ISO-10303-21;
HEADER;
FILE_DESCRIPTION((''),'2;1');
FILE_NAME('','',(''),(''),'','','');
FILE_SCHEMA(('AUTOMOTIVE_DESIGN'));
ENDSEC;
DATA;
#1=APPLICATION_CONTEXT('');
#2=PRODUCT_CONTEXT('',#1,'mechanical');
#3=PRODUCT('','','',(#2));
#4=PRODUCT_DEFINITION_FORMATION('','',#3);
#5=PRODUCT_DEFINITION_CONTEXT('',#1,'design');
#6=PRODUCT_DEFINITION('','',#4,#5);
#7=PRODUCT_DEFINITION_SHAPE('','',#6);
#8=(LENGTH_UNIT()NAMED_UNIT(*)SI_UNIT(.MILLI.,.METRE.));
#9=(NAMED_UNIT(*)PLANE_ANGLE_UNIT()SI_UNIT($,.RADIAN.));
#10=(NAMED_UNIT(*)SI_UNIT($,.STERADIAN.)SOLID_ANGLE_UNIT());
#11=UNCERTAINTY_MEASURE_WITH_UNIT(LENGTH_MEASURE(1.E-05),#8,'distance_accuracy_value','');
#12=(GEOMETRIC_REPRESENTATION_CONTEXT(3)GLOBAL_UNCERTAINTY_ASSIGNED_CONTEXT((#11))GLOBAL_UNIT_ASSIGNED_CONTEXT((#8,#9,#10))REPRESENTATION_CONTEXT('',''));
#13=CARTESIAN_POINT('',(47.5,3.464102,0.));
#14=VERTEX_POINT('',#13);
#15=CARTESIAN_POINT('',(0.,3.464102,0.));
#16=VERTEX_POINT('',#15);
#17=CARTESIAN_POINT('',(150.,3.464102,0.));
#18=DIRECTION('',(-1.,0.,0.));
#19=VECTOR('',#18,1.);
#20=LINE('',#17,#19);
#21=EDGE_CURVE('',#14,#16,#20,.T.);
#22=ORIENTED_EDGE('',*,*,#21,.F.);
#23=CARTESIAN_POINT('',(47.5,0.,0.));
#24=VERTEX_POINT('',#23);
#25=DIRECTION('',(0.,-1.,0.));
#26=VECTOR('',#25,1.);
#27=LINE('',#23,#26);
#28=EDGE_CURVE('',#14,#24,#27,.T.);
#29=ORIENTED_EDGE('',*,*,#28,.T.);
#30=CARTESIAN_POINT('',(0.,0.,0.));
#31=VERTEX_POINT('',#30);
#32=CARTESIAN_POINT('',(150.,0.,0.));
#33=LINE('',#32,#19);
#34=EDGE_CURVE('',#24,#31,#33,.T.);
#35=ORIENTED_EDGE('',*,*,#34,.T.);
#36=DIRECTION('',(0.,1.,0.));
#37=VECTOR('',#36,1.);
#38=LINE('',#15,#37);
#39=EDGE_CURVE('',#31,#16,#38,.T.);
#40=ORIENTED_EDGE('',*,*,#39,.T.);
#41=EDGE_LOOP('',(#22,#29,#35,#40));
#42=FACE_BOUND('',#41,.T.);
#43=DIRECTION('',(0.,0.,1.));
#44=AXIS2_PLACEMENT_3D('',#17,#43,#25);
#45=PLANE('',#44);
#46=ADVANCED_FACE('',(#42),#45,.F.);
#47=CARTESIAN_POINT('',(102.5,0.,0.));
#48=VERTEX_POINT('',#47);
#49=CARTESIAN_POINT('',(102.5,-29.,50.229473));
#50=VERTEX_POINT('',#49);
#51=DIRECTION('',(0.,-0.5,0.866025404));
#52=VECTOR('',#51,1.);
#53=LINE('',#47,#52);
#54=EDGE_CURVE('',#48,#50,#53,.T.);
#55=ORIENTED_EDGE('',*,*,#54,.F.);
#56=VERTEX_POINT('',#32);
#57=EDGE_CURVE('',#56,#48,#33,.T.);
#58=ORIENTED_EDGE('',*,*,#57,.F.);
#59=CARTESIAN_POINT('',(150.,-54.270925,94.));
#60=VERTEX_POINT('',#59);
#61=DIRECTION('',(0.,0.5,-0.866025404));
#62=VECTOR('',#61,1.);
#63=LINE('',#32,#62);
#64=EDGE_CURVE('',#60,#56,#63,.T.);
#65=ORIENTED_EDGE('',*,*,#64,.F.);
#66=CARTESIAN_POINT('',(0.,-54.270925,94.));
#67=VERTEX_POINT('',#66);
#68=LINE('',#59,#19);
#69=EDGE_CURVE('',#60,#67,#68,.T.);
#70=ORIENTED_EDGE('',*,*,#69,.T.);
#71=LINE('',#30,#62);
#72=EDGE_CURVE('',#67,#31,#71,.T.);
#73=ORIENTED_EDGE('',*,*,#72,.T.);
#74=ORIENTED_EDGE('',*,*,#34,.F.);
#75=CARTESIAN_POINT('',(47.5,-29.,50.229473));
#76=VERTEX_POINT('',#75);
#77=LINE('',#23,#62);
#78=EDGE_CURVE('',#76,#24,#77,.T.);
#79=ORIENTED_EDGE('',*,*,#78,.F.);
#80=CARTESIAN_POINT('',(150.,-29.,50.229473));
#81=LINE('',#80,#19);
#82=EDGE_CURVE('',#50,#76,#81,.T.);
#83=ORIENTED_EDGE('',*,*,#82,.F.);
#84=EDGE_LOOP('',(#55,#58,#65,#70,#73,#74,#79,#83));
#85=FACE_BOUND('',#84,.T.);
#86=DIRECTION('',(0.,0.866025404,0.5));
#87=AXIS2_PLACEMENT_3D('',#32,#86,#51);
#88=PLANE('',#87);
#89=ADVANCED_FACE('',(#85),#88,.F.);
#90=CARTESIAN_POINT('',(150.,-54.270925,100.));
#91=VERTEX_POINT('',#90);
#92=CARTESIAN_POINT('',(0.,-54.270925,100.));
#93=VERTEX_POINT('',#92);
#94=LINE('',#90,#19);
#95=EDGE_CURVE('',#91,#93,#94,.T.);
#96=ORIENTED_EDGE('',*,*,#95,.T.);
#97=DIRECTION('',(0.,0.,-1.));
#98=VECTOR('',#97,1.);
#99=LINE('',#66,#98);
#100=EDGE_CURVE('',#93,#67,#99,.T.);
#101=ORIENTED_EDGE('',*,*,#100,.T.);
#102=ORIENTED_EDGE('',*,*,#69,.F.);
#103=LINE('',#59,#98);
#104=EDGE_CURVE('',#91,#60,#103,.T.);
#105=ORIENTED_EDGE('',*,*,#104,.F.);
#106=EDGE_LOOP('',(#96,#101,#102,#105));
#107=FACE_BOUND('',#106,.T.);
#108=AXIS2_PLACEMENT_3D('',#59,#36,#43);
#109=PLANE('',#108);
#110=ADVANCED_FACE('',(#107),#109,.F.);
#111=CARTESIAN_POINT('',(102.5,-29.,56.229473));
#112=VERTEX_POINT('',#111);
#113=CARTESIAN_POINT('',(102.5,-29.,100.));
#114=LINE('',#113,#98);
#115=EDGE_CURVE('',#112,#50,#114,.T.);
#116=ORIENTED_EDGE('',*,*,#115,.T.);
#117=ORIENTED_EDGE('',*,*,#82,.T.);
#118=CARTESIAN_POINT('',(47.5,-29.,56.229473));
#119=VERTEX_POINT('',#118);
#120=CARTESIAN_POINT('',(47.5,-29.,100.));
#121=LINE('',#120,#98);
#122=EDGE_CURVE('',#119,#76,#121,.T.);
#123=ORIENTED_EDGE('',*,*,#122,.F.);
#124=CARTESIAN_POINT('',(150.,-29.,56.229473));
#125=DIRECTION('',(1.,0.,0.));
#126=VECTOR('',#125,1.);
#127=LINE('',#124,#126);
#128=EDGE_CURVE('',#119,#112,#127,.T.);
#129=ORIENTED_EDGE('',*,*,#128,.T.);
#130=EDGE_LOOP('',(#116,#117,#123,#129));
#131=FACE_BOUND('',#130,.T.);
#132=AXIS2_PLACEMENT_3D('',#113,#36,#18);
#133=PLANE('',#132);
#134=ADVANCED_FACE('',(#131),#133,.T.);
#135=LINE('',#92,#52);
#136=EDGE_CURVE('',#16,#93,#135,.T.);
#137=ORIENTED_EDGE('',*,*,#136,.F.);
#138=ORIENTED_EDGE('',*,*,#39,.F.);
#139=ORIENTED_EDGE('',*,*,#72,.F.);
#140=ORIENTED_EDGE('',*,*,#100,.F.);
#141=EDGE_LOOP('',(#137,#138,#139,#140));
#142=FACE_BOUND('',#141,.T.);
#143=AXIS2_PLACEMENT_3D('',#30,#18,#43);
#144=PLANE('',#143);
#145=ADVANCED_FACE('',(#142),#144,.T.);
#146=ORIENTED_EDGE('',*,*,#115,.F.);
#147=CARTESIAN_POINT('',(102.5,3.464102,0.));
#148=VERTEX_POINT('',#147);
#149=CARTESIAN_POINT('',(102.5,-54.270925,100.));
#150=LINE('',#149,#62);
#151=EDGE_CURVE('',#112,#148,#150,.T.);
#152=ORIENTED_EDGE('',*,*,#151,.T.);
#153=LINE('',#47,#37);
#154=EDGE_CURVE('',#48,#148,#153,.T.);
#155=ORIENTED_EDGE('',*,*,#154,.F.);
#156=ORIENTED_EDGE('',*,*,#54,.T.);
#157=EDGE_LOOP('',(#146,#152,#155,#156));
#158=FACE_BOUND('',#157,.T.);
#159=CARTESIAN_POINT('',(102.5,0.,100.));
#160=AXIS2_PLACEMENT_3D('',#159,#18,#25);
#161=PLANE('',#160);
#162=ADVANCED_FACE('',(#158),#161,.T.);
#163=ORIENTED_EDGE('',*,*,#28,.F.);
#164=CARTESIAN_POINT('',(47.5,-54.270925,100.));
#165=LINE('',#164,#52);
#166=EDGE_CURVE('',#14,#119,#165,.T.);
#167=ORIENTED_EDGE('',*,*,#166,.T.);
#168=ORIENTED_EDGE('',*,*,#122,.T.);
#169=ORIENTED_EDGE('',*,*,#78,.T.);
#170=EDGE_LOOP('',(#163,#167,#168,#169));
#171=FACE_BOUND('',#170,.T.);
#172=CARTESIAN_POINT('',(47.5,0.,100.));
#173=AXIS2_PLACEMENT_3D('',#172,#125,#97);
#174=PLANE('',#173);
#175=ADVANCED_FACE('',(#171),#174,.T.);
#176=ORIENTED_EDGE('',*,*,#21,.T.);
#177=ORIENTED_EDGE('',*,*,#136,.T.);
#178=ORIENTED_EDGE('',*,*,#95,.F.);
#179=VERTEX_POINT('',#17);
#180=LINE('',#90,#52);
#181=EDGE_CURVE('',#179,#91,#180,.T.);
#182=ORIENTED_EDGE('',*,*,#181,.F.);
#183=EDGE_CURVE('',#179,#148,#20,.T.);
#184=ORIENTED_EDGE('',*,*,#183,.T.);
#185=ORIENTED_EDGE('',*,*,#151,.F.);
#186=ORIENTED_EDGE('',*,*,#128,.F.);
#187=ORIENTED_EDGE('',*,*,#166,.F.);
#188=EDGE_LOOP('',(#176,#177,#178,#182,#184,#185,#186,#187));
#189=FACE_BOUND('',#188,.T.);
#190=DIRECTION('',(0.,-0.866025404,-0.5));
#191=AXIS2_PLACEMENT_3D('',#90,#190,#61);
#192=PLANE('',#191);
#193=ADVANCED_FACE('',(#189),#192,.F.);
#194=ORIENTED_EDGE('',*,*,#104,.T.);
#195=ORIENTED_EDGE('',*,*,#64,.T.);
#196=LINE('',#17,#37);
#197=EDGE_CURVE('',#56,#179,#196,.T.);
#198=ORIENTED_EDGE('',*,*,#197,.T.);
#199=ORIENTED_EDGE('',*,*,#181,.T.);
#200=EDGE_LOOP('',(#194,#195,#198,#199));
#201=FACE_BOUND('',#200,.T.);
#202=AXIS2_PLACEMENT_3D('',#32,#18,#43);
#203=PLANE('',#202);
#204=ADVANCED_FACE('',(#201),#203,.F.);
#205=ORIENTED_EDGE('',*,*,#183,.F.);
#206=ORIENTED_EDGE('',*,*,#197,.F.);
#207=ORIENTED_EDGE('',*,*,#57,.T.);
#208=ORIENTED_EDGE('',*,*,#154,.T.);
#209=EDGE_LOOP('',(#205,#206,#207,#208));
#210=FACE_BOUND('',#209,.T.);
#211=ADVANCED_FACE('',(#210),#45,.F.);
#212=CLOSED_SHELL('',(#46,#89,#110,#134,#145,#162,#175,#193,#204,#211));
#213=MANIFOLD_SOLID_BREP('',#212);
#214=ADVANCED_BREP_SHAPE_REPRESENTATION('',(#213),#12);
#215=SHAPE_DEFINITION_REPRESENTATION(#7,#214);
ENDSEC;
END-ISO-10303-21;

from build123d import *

# Parameters (mm, degrees)
BOSS_EXTRUDE1_DEPTH = 150
CUT_EXTRUDE1_DEPTH  = 101


with BuildPart() as part:
    # Sketch1 → Boss-Extrude1 (new body)
    with BuildSketch(Plane(origin=(0, 0, 0), x_dir=(0, 0, -1), z_dir=(1, 0, 0))):
        Polygon((0, 0), (-94, -54.270925304), (-100, -54.270925304), (0, 3.464101615), align=None)
    extrude(amount=BOSS_EXTRUDE1_DEPTH)

    # Sketch2 → Cut-Extrude1 (cut, through all)
    with BuildSketch(Plane.XY):
        Polygon((102.5, 0), (102.5, -29), (47.5, -29), (47.5, 0), (47.5, 3.464101615), (102.5, 3.464101615), align=None)
    extrude(amount=CUT_EXTRUDE1_DEPTH, mode=Mode.SUBTRACT)


solid = part.part
